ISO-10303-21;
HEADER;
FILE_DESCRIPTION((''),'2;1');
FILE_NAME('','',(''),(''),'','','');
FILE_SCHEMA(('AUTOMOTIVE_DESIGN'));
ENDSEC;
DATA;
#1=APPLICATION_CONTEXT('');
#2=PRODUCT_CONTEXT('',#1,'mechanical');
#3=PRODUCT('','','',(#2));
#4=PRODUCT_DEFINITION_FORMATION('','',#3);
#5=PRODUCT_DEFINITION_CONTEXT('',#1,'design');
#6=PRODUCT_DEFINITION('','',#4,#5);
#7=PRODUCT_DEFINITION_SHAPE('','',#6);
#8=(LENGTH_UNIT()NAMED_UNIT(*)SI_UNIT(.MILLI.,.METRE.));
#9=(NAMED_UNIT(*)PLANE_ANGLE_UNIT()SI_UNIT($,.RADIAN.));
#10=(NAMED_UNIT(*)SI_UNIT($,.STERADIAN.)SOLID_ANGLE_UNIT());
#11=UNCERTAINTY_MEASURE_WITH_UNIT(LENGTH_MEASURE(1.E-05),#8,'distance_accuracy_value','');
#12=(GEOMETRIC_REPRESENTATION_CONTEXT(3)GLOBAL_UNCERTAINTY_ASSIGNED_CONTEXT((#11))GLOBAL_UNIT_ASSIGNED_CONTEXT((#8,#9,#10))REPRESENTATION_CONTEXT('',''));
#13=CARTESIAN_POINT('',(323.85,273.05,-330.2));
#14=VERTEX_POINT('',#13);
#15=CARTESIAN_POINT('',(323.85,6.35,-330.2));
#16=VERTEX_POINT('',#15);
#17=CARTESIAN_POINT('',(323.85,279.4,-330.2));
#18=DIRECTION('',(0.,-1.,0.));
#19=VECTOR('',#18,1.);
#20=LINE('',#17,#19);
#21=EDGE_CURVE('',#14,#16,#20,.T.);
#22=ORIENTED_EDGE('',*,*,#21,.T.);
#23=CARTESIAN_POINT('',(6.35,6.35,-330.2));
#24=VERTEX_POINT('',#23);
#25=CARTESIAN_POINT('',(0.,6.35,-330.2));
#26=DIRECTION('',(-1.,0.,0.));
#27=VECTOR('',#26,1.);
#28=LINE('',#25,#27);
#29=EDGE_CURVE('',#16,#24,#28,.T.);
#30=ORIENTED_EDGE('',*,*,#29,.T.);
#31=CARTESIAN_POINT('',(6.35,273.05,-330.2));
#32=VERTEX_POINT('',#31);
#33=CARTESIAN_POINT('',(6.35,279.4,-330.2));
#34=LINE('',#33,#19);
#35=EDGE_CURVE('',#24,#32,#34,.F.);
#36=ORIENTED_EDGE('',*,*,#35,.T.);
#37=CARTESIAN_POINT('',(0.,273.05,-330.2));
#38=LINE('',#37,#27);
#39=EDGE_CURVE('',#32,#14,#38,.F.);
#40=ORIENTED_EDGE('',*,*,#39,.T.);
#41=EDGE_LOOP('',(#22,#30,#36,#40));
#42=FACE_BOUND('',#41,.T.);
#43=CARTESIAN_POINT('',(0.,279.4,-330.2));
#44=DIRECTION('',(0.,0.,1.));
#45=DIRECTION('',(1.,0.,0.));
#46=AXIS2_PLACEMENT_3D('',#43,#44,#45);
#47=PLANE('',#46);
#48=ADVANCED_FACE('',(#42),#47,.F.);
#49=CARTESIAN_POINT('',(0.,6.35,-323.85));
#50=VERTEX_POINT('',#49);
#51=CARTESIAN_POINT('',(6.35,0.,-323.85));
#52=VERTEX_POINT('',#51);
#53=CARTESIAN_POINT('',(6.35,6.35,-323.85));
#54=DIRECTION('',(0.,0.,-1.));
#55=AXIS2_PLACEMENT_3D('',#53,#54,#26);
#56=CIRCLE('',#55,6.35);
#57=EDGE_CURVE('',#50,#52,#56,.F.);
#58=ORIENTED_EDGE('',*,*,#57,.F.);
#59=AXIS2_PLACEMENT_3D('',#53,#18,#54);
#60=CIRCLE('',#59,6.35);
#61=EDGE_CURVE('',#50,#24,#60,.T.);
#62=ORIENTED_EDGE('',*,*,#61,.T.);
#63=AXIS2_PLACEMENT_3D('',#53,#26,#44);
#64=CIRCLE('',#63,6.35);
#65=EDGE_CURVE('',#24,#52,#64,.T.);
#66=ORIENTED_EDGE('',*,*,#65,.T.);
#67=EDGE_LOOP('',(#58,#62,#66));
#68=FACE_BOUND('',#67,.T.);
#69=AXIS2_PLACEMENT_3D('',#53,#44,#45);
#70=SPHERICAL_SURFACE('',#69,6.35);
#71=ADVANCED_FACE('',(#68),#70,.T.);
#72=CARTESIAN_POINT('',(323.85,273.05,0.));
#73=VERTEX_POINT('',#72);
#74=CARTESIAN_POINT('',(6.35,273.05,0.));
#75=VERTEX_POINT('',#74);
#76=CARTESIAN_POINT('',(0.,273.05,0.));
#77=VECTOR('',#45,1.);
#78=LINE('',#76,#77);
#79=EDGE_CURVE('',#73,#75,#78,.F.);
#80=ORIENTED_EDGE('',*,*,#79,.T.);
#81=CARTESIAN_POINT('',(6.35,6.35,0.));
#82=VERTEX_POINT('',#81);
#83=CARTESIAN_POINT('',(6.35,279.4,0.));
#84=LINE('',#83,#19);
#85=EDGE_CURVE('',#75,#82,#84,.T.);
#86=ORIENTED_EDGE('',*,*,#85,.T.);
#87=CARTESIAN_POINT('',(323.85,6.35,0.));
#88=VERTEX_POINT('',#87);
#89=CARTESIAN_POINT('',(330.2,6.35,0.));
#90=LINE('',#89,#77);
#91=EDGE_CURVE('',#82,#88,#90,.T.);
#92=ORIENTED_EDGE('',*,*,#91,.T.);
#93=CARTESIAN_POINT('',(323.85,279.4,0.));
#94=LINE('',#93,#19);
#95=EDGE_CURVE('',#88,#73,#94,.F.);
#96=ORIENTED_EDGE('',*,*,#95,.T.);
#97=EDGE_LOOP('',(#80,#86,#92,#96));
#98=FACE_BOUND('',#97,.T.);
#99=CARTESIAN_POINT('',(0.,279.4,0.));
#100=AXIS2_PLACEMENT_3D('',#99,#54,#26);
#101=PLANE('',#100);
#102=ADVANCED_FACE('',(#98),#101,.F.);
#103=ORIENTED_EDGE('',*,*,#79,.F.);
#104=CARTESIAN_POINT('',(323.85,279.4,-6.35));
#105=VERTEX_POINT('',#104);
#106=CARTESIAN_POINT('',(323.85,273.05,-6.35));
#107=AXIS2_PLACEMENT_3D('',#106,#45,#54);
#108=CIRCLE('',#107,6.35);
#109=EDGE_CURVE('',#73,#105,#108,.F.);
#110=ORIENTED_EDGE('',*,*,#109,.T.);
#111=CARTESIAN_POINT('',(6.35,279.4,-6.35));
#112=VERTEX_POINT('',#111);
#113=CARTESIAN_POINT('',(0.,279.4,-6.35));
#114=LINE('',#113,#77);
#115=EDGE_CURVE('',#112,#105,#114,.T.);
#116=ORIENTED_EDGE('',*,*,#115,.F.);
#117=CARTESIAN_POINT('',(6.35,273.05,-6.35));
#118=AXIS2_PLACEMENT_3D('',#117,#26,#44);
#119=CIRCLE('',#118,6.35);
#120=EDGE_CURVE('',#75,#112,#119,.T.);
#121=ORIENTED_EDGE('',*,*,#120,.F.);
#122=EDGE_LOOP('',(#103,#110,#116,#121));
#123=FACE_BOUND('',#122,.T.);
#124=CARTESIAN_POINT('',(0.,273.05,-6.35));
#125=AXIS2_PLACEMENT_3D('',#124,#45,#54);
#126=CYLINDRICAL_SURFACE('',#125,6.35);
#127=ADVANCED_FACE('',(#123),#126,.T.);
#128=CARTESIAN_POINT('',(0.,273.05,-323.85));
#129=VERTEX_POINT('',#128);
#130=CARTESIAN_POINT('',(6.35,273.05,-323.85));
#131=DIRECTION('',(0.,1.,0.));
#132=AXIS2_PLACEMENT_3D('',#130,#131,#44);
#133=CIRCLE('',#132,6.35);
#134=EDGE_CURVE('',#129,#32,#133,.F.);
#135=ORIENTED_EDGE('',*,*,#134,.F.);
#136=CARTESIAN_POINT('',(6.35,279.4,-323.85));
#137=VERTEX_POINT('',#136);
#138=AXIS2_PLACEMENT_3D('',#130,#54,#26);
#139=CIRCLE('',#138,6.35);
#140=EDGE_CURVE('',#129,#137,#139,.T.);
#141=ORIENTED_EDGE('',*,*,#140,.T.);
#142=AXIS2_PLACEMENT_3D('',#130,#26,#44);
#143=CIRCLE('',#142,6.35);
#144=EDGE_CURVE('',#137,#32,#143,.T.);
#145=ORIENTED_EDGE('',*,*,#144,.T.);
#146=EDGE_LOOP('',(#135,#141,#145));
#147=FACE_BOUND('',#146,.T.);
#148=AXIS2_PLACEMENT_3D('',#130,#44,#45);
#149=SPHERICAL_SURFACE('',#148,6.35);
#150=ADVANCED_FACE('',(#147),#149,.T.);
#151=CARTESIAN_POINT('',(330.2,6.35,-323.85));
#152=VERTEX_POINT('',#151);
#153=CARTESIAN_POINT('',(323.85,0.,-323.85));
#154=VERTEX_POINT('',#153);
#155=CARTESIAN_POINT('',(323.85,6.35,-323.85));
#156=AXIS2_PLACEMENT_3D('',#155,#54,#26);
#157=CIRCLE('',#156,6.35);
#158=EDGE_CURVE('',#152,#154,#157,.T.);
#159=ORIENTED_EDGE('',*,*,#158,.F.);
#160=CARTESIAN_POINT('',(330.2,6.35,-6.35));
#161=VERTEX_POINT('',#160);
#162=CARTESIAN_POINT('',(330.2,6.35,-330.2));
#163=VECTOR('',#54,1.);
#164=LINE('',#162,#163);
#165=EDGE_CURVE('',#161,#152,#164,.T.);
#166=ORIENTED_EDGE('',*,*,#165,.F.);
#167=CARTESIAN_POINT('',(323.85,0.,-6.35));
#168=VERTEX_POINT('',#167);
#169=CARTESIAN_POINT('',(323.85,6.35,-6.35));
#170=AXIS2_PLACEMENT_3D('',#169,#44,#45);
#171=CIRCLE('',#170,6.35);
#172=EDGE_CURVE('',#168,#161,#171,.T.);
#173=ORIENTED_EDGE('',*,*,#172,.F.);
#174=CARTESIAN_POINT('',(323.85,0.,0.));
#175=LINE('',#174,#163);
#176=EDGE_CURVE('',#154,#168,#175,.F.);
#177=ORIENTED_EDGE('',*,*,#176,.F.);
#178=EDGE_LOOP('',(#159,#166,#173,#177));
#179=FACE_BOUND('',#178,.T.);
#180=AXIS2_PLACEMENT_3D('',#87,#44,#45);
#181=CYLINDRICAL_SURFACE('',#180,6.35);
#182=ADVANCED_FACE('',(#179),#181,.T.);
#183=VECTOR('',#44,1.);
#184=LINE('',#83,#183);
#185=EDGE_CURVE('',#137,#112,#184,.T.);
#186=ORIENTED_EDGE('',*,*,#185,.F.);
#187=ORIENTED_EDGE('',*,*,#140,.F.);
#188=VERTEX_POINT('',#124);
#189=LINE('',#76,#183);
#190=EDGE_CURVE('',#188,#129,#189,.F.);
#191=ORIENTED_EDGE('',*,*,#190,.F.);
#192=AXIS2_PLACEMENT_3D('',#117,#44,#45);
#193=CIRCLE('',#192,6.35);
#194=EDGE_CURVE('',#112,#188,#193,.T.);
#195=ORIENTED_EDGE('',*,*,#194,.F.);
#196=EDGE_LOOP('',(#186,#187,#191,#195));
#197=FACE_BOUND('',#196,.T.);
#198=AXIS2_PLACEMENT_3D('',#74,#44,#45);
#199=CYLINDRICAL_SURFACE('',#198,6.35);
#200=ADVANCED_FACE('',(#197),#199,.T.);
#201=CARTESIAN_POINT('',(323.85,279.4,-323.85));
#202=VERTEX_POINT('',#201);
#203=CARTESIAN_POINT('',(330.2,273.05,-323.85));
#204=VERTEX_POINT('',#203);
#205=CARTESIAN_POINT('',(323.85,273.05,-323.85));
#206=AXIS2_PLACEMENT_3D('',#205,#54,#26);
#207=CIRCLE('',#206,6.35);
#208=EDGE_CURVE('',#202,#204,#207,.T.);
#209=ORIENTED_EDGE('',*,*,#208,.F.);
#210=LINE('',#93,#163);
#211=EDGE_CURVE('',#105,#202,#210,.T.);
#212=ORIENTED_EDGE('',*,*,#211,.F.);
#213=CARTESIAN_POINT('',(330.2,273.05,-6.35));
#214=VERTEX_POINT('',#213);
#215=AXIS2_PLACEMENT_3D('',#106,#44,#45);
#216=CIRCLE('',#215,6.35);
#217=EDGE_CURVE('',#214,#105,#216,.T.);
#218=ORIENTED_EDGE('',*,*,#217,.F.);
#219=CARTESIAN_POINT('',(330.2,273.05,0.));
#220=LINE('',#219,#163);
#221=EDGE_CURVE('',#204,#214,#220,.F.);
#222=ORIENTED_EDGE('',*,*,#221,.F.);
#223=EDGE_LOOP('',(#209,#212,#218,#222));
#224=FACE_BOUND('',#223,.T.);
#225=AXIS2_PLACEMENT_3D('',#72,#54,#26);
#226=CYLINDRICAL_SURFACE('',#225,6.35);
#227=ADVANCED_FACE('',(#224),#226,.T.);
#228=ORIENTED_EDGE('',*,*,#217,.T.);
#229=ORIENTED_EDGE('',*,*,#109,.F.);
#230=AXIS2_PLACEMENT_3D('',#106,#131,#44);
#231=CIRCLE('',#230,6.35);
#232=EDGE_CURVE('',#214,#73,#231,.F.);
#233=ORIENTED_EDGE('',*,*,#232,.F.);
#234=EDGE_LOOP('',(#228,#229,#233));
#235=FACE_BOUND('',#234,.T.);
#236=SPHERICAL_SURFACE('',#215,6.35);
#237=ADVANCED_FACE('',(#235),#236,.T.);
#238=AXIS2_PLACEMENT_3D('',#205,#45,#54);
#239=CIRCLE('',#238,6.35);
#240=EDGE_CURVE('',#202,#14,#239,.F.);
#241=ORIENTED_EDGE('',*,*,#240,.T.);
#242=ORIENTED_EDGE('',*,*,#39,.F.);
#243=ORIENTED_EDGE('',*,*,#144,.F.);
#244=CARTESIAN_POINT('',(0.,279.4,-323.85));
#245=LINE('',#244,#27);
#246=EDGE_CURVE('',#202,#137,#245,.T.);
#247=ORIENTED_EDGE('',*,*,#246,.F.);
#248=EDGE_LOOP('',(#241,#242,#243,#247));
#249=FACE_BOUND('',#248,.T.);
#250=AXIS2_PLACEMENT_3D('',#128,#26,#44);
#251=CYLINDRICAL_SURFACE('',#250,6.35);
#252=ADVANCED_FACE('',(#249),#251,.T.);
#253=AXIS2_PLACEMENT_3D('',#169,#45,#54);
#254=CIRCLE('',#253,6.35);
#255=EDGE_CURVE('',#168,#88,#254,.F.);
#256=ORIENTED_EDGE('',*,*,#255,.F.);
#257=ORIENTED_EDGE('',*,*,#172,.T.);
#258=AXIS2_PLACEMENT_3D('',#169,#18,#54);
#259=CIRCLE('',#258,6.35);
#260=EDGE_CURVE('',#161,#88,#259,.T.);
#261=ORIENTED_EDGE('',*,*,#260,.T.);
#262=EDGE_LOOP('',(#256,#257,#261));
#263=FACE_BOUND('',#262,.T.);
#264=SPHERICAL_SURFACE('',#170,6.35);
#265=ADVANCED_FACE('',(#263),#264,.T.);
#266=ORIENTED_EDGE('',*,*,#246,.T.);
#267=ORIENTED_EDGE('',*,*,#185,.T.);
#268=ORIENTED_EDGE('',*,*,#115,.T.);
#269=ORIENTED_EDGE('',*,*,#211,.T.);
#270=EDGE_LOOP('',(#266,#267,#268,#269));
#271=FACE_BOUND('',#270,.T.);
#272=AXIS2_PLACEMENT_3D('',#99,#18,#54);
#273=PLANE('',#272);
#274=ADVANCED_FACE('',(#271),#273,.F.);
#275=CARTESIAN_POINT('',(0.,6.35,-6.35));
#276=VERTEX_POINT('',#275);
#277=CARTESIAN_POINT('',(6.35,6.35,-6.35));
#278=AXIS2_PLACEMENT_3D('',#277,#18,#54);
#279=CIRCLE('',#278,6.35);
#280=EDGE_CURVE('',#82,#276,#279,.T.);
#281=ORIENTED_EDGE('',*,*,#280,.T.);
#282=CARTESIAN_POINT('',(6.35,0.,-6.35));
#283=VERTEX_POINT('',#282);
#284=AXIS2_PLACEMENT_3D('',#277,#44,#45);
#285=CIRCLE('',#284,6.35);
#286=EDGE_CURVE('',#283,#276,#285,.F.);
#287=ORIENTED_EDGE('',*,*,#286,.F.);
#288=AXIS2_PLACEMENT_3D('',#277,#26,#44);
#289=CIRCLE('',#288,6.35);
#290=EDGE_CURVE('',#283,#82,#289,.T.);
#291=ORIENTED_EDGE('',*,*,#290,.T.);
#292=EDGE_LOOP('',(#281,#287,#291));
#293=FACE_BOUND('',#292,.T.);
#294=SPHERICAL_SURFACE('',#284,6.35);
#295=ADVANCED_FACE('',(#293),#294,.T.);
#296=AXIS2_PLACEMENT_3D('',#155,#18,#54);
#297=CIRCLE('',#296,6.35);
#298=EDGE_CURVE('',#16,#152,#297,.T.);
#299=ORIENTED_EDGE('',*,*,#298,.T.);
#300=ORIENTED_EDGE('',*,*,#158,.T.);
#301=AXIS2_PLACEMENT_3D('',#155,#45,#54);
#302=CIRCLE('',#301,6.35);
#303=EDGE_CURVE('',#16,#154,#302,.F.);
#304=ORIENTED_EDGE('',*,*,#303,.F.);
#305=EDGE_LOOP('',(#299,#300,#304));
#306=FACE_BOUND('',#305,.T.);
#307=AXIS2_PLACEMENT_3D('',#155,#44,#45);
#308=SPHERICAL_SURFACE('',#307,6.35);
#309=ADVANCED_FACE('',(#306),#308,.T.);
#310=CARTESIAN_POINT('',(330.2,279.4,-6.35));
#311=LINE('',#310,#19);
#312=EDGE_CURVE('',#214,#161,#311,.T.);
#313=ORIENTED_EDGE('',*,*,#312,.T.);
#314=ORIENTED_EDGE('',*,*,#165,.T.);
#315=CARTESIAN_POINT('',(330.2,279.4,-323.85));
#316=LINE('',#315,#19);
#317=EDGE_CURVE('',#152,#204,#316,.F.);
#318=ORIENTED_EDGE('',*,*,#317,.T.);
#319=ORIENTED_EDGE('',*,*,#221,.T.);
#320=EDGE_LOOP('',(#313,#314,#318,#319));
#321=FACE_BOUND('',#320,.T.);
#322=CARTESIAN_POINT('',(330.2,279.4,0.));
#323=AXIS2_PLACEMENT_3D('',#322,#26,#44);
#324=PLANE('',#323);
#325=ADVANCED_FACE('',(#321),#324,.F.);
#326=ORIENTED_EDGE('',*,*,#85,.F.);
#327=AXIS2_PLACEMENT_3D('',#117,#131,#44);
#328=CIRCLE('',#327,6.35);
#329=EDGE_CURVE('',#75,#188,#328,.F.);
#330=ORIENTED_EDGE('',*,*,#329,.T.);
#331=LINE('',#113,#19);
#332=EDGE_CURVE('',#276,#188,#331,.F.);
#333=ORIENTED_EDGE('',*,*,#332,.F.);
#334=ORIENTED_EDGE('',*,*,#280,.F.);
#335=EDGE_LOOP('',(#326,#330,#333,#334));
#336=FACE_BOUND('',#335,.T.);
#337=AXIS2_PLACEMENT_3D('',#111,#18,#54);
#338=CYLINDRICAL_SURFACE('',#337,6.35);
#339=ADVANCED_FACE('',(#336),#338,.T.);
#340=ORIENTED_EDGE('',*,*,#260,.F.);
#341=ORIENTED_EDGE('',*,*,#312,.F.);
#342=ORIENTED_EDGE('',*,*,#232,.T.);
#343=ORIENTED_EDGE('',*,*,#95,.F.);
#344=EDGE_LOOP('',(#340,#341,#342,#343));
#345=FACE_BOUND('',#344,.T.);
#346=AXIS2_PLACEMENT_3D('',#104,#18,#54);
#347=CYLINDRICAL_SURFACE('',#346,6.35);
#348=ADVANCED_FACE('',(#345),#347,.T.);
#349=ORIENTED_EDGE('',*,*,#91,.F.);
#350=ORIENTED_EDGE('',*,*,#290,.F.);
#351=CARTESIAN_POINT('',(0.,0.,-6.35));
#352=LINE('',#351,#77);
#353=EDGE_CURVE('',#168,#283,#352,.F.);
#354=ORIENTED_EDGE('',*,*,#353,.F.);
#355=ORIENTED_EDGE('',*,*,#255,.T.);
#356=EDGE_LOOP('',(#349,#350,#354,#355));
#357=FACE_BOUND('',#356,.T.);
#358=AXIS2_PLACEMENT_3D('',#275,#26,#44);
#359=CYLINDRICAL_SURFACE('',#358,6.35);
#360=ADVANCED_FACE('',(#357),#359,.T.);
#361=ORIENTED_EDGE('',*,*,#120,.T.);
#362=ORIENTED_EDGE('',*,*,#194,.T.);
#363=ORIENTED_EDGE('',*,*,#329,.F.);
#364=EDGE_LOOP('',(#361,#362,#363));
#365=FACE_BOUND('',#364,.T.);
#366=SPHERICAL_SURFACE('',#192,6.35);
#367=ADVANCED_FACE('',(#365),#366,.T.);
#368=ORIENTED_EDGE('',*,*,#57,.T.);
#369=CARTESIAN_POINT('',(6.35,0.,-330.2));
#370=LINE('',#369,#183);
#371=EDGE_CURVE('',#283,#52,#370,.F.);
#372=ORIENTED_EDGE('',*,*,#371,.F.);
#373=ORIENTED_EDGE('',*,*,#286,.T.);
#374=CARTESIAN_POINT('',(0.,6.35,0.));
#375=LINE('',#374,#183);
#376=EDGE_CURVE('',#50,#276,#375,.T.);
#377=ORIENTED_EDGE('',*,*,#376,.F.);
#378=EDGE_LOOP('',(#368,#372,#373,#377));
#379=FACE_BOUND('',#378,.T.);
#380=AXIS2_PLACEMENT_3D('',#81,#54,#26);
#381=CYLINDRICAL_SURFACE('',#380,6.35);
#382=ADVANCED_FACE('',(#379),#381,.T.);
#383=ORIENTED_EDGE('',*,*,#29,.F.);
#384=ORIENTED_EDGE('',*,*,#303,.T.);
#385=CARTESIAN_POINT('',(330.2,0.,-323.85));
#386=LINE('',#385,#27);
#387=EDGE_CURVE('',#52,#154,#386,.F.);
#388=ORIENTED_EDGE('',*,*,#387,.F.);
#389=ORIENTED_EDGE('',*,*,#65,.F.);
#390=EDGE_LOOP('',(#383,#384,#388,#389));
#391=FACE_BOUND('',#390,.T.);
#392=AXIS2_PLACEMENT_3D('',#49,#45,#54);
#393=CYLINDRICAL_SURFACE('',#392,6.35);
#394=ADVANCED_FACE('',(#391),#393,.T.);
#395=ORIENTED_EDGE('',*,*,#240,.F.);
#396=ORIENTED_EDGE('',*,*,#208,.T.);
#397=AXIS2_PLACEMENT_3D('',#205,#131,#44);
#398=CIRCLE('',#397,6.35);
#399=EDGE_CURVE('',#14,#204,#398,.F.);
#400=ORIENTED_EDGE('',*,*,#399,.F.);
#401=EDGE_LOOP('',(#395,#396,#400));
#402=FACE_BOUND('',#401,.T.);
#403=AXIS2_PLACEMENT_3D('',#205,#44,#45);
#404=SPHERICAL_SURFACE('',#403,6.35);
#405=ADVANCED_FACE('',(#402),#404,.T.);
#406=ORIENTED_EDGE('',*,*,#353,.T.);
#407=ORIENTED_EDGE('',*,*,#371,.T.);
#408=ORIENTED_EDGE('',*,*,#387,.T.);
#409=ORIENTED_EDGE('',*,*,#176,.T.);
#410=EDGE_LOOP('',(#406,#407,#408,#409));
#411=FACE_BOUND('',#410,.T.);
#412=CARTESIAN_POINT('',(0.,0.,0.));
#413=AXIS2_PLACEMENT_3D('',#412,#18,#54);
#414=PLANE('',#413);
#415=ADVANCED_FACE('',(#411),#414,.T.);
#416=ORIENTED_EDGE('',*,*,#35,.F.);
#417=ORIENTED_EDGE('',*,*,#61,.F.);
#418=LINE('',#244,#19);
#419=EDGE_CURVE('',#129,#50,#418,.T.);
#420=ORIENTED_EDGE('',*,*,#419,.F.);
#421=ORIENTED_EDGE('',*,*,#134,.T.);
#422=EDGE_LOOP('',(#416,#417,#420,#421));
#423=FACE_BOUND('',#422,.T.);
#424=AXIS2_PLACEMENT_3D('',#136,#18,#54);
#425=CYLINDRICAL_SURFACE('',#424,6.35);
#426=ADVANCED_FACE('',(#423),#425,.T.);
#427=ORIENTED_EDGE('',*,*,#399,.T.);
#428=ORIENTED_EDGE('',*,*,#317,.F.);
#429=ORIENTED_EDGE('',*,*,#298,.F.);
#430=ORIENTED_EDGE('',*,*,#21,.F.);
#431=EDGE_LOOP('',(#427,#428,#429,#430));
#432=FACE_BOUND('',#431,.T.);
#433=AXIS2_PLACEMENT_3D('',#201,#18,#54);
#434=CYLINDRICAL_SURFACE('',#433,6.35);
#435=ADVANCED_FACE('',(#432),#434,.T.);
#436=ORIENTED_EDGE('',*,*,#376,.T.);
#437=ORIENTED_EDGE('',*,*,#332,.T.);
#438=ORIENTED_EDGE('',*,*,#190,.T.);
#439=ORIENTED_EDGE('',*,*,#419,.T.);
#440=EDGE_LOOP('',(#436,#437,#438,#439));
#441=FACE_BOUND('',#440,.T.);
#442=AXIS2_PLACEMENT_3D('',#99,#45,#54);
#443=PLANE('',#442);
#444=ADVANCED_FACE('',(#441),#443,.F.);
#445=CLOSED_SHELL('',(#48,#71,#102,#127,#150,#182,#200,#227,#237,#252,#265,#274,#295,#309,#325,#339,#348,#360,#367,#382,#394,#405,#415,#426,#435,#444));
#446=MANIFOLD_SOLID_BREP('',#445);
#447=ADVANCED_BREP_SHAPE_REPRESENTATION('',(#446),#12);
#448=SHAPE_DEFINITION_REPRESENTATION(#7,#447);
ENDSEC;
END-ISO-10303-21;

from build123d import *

# Parameters (mm, degrees)
SKETCH1_W           = 330.2
SKETCH1_H           = 330.2
BOSS_EXTRUDE1_DEPTH = 279.4
FILLET1_R           = 6.35


with BuildPart() as part:
    # Sketch1 → Boss-Extrude1 (new body)
    with BuildSketch(Plane(origin=(0, 0, 0), x_dir=(1, 0, 0), z_dir=(0, 1, 0))):
        with Locations((165.1, 165.1)):
            Rectangle(SKETCH1_W, SKETCH1_H)
    extrude(amount=BOSS_EXTRUDE1_DEPTH)

    # Fillet1
    fillet1_edges = [part.edges().sort_by_distance(p)[0] for p in [
        (330.2, 279.4, -165.1),
        (165.1, 279.4, -330.2),
        (0, 279.4, -165.1),
        (165.1, 0, -330.2),
        (330.2, 0, -165.1),
        (165.1, 0, 0),
        (0, 0, -165.1),
        (165.1, 279.4, 0),
        (0, 139.7, -330.2),
        (330.2, 139.7, -330.2),
        (330.2, 139.7, 0),
        (0, 139.7, 0),
    ]]
    fillet(fillet1_edges, radius=FILLET1_R)


solid = part.part
